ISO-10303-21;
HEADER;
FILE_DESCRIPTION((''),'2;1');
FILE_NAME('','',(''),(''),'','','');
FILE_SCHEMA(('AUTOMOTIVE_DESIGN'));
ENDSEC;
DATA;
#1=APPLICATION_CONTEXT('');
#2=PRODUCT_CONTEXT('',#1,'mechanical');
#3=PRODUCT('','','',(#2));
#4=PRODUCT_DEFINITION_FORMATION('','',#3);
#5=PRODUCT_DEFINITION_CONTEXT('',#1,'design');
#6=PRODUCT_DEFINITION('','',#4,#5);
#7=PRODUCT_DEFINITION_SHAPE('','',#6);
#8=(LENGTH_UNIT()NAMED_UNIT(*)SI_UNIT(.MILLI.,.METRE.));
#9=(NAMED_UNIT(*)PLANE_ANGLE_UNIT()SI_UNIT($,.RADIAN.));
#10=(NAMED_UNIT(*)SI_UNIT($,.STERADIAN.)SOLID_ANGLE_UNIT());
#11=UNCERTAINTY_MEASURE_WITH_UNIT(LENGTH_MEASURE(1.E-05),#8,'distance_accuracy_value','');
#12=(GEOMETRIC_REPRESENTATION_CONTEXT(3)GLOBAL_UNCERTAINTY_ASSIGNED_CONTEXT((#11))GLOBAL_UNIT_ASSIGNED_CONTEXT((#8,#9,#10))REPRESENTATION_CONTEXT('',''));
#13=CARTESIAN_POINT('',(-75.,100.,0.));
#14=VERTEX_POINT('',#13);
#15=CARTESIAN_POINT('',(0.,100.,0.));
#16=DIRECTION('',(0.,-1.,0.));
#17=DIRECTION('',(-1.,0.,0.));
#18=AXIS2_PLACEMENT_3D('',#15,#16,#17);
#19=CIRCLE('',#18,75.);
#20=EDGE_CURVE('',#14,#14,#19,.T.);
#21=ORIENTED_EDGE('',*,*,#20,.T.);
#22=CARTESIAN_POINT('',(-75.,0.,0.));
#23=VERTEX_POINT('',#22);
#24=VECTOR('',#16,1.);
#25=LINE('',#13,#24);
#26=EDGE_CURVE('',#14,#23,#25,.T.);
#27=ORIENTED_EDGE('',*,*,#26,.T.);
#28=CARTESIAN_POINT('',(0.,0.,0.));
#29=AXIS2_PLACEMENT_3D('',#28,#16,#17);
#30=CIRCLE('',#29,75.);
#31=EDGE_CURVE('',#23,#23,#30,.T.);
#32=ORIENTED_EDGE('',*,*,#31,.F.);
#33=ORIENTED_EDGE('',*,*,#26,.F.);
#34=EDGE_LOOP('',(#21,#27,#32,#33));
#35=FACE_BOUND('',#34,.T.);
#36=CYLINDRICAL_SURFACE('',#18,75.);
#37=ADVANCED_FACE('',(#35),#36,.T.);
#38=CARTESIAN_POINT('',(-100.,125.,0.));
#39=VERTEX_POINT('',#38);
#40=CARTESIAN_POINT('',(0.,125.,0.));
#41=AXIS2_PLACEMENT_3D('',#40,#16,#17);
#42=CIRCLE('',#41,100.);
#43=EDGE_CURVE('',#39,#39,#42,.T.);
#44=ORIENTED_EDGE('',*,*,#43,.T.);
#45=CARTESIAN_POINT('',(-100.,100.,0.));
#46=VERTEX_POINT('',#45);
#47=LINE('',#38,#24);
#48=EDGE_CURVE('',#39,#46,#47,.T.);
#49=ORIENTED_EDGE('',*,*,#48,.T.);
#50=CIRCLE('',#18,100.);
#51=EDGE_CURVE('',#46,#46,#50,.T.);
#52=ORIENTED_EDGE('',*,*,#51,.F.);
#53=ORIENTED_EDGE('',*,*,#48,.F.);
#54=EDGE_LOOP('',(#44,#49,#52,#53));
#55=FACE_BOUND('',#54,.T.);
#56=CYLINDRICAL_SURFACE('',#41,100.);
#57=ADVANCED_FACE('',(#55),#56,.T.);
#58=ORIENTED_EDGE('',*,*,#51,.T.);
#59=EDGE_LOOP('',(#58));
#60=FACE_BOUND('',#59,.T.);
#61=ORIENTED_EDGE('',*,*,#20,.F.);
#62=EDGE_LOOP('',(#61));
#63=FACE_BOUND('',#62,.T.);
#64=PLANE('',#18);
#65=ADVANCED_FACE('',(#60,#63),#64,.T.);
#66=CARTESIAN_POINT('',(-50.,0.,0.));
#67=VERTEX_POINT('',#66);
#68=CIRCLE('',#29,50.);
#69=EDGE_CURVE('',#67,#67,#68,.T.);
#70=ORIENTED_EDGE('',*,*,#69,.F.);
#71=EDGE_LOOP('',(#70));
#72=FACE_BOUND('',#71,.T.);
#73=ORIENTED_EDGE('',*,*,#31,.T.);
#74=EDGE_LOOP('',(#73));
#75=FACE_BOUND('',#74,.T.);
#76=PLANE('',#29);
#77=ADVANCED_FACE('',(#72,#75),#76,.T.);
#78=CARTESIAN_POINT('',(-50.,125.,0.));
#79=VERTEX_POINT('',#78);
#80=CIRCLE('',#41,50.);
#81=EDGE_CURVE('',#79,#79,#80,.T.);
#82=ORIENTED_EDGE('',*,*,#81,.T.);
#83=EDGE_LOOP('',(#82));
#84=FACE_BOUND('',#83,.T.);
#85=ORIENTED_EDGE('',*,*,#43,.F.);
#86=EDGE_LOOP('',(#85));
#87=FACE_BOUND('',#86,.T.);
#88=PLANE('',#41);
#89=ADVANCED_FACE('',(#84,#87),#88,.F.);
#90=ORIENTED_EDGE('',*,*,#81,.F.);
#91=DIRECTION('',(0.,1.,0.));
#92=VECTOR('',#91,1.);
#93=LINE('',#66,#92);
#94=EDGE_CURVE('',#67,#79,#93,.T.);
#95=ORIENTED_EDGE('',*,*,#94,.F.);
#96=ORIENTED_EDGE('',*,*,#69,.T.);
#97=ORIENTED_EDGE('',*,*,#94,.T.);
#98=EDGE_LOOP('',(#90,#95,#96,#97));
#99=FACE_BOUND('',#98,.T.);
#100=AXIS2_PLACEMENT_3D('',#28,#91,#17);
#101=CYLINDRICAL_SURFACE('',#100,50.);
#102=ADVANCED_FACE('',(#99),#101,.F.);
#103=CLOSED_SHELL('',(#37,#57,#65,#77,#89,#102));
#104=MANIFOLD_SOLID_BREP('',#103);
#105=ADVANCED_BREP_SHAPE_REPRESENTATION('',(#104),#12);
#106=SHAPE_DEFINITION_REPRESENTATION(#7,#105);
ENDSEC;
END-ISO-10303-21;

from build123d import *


with BuildPart() as part:
    # Sketch1 → Revolve1 (revolve)
    with BuildSketch(Plane.XY):
        Polygon((-50, 0), (-50, 125), (-100, 125), (-100, 100), (-75, 100), (-75, 0), align=None)
    revolve(axis=Axis((0, 167.383783148, 0), (0, -1, 0)))


solid = part.part
